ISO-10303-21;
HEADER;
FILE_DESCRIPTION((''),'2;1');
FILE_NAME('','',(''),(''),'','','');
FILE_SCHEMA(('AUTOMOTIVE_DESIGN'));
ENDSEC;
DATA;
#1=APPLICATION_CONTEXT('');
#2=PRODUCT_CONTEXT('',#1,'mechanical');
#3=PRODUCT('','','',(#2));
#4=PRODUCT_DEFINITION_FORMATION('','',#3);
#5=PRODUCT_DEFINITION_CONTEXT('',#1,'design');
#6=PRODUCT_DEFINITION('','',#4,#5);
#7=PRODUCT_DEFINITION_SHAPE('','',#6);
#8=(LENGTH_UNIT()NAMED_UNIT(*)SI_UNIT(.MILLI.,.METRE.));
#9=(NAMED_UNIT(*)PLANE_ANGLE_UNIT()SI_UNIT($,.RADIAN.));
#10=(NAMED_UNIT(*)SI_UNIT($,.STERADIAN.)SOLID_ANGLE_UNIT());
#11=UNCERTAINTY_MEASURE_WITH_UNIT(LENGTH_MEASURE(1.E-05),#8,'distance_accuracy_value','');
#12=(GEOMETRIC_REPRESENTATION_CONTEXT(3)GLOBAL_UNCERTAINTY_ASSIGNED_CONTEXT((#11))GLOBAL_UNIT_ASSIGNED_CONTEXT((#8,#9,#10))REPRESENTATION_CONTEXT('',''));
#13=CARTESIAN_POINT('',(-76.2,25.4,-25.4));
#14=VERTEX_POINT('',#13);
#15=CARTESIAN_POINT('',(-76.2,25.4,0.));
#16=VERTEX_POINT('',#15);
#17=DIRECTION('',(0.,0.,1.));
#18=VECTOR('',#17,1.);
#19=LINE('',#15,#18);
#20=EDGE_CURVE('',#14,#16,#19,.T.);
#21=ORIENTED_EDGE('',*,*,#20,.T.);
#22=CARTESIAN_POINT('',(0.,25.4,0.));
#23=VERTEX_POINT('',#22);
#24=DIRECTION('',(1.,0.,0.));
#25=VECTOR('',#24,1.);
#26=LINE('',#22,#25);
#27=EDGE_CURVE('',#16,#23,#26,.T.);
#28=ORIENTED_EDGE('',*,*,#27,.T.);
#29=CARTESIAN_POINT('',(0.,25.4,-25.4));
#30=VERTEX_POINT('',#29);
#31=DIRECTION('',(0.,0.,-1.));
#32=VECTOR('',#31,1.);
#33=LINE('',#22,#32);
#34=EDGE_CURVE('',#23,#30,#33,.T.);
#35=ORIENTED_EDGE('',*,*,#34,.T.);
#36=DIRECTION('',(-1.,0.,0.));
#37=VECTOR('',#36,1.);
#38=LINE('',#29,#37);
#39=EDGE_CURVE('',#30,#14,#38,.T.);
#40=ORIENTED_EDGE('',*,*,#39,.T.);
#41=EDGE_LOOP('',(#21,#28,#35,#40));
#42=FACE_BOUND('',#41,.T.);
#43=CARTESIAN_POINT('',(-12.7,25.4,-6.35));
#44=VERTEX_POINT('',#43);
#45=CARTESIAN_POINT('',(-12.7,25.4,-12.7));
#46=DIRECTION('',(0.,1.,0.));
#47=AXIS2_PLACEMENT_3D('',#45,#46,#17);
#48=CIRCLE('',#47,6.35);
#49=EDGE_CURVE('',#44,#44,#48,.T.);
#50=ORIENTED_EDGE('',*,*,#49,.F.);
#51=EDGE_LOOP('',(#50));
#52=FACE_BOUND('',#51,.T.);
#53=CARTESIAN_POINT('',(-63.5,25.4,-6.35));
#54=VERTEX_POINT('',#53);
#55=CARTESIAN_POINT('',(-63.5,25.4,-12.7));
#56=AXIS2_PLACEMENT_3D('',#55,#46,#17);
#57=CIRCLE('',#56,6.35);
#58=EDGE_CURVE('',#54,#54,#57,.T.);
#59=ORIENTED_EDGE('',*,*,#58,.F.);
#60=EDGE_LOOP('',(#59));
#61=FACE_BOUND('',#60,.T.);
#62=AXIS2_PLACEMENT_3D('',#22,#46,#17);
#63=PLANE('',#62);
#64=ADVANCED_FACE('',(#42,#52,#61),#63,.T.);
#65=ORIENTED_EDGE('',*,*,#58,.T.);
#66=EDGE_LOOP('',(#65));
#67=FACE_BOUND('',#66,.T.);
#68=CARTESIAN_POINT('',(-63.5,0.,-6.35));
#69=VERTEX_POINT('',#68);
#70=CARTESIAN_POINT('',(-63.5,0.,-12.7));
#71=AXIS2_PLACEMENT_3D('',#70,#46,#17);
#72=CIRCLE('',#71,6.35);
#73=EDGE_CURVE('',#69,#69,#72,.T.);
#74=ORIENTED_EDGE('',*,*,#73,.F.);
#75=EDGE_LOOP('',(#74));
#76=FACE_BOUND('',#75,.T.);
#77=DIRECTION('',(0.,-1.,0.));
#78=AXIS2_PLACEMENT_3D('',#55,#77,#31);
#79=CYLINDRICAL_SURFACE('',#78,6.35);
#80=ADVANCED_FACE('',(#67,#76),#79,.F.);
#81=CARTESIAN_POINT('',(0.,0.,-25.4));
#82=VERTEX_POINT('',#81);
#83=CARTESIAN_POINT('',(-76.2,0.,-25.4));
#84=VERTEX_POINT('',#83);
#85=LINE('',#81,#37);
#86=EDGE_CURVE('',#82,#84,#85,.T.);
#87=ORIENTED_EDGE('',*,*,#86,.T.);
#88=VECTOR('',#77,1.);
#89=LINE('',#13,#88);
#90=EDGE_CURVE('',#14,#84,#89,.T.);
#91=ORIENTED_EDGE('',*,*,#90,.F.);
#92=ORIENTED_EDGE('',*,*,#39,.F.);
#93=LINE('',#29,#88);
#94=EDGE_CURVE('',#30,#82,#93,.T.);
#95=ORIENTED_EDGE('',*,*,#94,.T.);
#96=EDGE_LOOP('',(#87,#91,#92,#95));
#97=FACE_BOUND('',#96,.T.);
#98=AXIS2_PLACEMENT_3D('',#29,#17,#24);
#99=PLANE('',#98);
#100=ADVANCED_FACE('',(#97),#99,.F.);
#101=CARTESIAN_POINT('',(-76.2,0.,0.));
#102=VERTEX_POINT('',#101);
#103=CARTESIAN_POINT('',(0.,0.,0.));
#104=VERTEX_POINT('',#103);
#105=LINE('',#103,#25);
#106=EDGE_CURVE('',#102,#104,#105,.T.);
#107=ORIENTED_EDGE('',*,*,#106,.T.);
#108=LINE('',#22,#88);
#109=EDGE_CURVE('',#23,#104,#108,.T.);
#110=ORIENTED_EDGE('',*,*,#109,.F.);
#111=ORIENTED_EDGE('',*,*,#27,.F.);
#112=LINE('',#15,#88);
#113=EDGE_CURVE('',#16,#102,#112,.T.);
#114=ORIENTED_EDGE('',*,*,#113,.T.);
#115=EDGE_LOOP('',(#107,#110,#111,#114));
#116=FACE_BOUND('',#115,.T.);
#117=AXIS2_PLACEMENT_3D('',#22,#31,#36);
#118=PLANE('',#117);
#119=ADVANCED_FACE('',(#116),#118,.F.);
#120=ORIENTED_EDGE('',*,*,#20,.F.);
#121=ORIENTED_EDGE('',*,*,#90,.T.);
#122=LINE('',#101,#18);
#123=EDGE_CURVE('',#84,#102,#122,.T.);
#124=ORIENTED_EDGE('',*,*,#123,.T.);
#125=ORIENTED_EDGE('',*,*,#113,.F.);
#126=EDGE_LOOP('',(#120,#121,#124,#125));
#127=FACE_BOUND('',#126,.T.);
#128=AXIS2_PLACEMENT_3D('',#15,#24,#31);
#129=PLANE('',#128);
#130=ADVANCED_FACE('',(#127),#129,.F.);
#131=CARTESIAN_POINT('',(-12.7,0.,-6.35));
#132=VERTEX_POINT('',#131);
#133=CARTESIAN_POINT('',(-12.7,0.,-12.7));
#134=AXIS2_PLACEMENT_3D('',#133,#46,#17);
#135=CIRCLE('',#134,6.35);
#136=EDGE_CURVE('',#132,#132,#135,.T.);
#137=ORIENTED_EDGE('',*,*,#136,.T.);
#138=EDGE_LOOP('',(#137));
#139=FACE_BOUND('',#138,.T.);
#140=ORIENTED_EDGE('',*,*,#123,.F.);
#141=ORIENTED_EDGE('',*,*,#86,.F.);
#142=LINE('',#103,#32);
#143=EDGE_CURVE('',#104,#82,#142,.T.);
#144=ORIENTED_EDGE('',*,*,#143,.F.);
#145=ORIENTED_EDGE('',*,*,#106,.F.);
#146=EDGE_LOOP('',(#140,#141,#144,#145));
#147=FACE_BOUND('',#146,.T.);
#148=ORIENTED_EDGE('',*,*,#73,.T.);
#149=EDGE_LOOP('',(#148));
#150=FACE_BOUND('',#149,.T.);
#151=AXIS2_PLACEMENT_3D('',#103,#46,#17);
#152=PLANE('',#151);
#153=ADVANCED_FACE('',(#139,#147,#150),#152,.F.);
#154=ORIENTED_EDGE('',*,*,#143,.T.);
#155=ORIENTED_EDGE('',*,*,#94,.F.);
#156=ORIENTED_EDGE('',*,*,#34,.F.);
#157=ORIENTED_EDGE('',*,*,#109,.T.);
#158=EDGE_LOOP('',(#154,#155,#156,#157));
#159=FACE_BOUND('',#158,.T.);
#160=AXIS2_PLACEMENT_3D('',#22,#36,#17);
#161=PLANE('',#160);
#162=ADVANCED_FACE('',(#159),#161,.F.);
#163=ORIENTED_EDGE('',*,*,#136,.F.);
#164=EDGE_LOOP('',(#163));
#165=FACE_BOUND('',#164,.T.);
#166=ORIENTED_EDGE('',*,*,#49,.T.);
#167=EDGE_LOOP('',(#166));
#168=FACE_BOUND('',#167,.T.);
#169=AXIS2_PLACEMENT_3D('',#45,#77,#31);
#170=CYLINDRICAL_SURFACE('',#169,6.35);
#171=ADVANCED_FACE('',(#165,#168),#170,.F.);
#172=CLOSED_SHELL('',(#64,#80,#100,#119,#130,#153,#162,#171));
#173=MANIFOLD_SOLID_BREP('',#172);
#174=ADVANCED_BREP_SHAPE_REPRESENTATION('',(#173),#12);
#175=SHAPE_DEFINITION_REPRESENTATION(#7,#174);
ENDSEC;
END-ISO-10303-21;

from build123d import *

# Parameters (mm, degrees)
SKETCH1_W           = 76.2
SKETCH1_H           = 25.4
SKETCH1_R           = 6.35
BOSS_EXTRUDE1_DEPTH = 25.4


with BuildPart() as part:
    # Sketch1 → Boss-Extrude1 (new body)
    with BuildSketch(Plane(origin=(0, 0, 0), x_dir=(1, 0, 0), z_dir=(0, 1, 0))):
        with Locations((-38.1, 12.7)):
            Rectangle(SKETCH1_W, SKETCH1_H)
        with Locations((-63.5, 12.7)):
            Circle(SKETCH1_R, mode=Mode.SUBTRACT)
        with Locations((-12.7, 12.7)):
            Circle(SKETCH1_R, mode=Mode.SUBTRACT)
    extrude(amount=BOSS_EXTRUDE1_DEPTH)


solid = part.part
